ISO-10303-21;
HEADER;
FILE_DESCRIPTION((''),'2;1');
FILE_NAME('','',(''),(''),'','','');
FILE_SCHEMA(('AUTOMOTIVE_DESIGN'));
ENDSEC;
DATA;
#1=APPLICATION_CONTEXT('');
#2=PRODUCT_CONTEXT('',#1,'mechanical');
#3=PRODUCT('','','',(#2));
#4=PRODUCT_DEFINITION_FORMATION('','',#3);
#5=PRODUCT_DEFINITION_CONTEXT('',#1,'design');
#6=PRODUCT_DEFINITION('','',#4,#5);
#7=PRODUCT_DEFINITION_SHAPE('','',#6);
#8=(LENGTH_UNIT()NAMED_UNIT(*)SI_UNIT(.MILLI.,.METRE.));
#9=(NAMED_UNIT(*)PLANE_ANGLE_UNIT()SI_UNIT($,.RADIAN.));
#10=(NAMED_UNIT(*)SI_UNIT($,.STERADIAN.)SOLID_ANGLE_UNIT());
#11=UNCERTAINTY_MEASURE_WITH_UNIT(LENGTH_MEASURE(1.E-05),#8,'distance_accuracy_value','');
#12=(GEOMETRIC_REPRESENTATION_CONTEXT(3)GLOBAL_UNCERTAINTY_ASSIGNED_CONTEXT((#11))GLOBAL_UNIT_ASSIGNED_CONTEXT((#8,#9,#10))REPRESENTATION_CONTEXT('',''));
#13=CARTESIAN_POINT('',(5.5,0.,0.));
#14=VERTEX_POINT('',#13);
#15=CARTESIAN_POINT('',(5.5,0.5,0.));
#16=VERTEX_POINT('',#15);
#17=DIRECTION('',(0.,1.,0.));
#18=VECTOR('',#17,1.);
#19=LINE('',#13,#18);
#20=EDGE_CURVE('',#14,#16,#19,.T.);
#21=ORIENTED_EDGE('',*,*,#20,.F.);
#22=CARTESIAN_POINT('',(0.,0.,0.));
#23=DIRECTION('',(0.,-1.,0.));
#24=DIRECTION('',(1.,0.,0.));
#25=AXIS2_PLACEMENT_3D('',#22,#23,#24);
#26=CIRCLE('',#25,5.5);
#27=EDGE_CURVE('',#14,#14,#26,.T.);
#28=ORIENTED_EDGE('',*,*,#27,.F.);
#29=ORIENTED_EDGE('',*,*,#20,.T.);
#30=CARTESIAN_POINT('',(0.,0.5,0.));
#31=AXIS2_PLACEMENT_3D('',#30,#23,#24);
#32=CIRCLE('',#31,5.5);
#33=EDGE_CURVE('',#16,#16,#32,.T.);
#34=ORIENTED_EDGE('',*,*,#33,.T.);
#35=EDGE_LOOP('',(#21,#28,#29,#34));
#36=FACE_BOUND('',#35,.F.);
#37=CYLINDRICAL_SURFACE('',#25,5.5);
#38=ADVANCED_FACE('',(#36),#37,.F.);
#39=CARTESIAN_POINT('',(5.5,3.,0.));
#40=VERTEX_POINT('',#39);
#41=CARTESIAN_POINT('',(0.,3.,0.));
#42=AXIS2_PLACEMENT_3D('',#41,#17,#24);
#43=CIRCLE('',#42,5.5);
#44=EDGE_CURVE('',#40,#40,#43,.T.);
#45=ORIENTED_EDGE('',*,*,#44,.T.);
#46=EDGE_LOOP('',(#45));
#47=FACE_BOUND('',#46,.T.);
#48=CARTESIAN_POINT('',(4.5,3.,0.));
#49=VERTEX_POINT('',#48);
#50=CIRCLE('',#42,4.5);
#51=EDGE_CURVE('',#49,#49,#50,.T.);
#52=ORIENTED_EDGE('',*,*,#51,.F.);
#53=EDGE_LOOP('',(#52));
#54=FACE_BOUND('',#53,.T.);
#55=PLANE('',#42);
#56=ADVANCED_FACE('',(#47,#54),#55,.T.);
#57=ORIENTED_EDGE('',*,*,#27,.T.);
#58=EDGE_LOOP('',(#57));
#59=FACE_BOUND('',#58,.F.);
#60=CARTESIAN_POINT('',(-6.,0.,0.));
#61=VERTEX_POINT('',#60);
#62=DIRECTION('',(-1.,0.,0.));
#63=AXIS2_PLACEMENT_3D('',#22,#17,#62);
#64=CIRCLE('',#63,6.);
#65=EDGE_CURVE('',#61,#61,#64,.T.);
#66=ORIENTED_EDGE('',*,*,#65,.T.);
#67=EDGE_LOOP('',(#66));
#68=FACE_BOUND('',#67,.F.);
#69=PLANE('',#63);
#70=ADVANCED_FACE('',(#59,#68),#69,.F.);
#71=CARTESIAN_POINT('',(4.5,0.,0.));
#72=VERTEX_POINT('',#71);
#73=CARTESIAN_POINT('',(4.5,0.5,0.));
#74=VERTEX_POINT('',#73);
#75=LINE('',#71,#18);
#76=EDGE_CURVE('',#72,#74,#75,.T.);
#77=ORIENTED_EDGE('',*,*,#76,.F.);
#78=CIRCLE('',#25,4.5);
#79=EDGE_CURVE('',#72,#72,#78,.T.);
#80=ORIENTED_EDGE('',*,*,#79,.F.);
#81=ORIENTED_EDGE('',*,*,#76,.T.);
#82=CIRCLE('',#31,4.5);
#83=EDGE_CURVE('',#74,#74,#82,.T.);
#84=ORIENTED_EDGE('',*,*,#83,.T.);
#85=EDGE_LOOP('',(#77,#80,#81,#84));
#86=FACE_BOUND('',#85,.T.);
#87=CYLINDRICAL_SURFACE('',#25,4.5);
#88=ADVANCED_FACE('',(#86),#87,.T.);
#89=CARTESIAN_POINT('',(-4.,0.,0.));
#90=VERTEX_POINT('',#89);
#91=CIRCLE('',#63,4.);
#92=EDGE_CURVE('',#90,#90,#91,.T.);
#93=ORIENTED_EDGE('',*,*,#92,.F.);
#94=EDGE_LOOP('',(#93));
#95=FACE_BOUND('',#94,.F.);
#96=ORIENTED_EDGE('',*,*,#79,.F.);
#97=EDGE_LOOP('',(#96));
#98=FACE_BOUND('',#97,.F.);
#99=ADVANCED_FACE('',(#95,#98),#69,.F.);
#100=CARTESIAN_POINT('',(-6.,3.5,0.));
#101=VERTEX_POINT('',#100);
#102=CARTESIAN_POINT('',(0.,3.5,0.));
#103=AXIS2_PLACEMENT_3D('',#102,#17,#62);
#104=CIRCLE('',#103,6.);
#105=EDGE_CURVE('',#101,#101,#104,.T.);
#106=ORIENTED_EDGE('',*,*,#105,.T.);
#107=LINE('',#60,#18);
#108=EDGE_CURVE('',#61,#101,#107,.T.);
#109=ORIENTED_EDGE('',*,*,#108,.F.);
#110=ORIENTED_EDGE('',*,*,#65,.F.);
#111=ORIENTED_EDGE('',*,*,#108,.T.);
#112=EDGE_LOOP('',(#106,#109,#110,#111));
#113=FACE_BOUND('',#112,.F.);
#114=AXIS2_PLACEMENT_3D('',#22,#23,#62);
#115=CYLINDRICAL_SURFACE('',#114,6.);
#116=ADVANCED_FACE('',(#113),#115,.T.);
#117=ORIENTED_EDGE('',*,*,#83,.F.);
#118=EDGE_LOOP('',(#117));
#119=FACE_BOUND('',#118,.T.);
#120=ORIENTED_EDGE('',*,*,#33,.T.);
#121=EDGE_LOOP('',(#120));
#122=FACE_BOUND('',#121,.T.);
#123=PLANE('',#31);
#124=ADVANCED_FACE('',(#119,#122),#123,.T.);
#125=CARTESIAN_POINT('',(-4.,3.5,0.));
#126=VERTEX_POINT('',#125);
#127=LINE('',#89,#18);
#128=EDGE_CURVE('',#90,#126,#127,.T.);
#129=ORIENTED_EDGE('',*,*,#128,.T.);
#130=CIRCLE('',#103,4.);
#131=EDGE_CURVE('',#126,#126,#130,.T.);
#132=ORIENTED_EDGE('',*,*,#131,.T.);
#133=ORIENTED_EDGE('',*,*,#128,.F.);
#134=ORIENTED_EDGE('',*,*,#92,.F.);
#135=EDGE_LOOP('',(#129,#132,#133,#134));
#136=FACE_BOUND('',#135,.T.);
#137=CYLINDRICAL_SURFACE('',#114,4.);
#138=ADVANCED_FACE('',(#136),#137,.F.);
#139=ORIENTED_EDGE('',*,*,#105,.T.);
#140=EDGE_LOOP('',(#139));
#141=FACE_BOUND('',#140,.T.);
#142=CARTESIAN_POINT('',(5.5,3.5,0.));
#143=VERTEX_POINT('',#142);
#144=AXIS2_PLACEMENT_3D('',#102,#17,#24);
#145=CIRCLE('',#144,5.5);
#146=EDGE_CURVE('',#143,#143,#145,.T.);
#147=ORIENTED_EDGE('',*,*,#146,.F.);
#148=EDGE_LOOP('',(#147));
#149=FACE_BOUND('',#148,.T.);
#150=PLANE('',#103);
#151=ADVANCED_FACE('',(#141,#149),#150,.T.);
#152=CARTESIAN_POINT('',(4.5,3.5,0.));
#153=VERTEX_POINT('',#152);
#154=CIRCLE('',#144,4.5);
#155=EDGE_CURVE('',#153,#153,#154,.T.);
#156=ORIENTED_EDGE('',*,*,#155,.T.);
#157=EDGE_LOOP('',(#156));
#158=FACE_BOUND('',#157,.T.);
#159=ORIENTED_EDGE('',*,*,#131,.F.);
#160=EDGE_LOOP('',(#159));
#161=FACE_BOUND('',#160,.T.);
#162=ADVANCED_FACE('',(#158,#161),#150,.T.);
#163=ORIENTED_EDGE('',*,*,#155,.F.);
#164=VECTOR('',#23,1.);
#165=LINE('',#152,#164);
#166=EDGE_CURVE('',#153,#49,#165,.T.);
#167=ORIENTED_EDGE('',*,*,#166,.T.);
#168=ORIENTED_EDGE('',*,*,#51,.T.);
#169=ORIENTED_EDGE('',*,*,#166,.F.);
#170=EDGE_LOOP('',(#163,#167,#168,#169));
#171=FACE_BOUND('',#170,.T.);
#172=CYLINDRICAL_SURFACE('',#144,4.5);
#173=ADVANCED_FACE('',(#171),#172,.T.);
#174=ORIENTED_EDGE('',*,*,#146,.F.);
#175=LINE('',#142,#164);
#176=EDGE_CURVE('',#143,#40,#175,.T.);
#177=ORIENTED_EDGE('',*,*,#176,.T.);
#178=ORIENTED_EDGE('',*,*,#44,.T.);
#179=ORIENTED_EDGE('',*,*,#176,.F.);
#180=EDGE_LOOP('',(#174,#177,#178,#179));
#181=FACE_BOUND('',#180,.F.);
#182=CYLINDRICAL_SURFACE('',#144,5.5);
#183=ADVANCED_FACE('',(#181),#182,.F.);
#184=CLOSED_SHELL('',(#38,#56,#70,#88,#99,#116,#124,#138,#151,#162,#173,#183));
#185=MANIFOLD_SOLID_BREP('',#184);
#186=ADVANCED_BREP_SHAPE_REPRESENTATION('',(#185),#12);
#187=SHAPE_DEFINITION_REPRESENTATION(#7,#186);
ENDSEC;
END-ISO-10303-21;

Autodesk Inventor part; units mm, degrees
ref_plane "YZ Plane" through (0, 0, 0) normal (1, 0, 0) x (0, 1, 0)
ref_plane "XZ Plane" through (0, 0, 0) normal (0, 1, 0) x (-1, 0, 0)
ref_plane "XY Plane" through (0, 0, 0) normal (0, 0, 1) x (1, 0, 0)
sketch "Эскиз1" plane through (0, 0, 0) normal (0, 1, 0) x (-1, 0, 0)
  circle A0 centre (0, 0) radius 4
  circle A1 centre (0, 0) radius 6
  dimension "d0" = 8
  dimension "d1" = 12
extrude "Выдавливание1" add sketch "Эскиз1" along normal blind 3.5
sketch "Эскиз2" plane through (0, 3.5, 0) normal (0, 1, 0) x (1, 0, 0)
  circle A0 centre (0, 0) radius 4.5
  circle A1 centre (0, 0) radius 5.5
  dimension "d4" = 9
  dimension "d5" = 11
extrude "Выдавливание2" cut sketch "Эскиз2" against normal blind 0.5
sketch "Эскиз3" plane through (0, 0, 0) normal (0, -1, 0) x (1, 0, 0)
  circle A0 centre (0, 0) radius 4.5
  circle A1 centre (0, 0) radius 5.5
  dimension "d8" = 9
  dimension "d9" = 11
extrude "Выдавливание3" cut sketch "Эскиз3" against normal blind 0.5
properties part number "Подшипник"
